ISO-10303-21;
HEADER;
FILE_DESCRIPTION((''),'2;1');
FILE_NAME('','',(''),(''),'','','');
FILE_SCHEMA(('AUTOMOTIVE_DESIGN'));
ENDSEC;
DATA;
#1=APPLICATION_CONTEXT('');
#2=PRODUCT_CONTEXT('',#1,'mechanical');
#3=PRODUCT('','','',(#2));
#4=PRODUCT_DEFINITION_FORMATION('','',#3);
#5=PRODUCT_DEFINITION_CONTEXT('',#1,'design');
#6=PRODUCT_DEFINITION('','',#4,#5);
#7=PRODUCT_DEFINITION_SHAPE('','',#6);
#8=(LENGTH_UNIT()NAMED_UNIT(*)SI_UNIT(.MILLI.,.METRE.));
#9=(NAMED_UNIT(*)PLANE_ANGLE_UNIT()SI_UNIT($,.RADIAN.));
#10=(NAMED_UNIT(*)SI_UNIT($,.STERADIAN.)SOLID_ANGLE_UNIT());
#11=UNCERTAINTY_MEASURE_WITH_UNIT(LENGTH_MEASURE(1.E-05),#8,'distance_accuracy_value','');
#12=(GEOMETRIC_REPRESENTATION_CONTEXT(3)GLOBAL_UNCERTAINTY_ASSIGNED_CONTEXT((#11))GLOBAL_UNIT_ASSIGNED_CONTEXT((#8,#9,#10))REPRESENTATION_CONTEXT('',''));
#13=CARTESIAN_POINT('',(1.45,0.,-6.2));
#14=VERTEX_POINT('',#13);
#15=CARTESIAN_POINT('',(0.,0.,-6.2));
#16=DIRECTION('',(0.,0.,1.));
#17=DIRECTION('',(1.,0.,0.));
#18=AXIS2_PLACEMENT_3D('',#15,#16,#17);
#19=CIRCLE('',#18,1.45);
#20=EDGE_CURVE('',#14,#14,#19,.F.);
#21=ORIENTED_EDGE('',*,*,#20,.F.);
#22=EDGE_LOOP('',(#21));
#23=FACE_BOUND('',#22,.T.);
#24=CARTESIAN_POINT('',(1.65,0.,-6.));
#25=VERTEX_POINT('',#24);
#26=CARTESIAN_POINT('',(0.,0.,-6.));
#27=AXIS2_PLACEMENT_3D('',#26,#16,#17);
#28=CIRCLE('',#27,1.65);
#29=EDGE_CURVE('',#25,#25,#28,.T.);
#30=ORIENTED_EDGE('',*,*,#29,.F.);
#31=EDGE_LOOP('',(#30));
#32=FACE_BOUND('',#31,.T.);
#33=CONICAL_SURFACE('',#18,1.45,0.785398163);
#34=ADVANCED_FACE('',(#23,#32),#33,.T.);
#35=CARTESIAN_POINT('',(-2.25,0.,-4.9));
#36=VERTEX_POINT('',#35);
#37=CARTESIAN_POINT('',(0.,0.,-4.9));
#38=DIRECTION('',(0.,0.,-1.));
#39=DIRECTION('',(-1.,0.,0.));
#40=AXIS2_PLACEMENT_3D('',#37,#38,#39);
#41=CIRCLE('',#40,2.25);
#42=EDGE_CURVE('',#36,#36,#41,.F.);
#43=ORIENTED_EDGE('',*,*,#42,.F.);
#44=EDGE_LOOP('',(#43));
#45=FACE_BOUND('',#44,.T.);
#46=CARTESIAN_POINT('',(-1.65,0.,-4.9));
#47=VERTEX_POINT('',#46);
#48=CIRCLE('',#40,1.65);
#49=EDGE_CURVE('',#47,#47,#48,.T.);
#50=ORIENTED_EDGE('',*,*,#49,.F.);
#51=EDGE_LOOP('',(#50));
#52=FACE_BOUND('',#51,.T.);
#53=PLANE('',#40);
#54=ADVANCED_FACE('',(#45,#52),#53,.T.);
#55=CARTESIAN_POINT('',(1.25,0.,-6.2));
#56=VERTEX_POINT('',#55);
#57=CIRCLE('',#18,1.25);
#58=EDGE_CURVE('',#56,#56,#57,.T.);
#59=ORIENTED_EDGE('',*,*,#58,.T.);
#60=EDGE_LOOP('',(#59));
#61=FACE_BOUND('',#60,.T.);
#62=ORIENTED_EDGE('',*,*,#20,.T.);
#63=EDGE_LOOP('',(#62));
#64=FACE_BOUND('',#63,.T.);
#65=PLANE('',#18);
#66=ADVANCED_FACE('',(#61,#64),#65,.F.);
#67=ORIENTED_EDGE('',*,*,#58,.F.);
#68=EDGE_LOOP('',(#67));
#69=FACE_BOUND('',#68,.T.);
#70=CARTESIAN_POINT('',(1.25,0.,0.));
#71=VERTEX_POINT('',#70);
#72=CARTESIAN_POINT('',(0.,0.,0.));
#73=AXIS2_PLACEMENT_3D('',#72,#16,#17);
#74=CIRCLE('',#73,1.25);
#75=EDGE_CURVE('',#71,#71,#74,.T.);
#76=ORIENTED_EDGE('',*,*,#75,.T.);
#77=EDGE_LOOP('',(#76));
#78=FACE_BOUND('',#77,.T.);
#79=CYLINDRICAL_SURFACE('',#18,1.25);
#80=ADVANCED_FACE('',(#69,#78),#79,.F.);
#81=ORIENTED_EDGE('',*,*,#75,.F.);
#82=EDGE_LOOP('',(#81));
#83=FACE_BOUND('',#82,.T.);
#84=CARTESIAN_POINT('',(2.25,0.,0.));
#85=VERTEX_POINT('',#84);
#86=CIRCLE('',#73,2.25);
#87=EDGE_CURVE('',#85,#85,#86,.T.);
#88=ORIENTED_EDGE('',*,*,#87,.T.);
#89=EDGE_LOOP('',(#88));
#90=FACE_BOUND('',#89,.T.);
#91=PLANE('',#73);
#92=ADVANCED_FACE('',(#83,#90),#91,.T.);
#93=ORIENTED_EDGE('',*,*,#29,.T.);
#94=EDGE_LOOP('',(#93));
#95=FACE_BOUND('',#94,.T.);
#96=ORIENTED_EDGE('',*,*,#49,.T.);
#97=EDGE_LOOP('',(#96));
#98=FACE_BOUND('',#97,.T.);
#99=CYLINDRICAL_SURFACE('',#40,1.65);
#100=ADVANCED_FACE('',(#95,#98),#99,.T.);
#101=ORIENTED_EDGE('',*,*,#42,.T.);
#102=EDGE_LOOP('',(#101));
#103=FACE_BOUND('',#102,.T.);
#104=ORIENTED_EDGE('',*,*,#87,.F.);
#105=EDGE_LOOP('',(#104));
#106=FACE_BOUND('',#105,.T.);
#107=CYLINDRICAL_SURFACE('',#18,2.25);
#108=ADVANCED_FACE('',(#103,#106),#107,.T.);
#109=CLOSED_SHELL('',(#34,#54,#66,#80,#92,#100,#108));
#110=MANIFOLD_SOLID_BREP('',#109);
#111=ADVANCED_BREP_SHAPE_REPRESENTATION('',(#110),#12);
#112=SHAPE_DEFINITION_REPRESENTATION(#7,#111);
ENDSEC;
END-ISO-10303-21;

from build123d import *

# Parameters (mm, degrees)
SKETCH1_R           = 2.25
BOSS_EXTRUDE1_DEPTH = 6.2
SKETCH2_OUTSIDE_W   = 8.276
SKETCH2_OUTSIDE_H   = 8.276
SKETCH2_OUTSIDE_R   = 1.65
CUT_EXTRUDE1_DEPTH  = 1.3
SKETCH3_R           = 1.25
CUT_EXTRUDE2_DEPTH  = 7.2
CHAMFER1_SIZE       = 0.2


with BuildPart() as part:
    # Sketch1 → Boss-Extrude1 (new body)
    with BuildSketch(Plane.XY):
        Circle(SKETCH1_R)
    extrude(amount=-BOSS_EXTRUDE1_DEPTH)

    # Sketch2 outside → Cut-Extrude1 (cut)
    with BuildSketch(Plane(origin=(0, 0, -6.2), x_dir=(-1, 0, 0), z_dir=(0, 0, -1))):
        Rectangle(SKETCH2_OUTSIDE_W, SKETCH2_OUTSIDE_H)
        Circle(SKETCH2_OUTSIDE_R, mode=Mode.SUBTRACT)
    extrude(amount=-CUT_EXTRUDE1_DEPTH, mode=Mode.SUBTRACT)

    # Sketch3 → Cut-Extrude2 (cut, through all)
    with BuildSketch(Plane.XY):
        Circle(SKETCH3_R)
    extrude(amount=-CUT_EXTRUDE2_DEPTH, mode=Mode.SUBTRACT)

    # Chamfer1
    chamfer1_edges = [part.edges().sort_by_distance(p)[0] for p in [
        (1.65, 0, -6.2),
    ]]
    chamfer(chamfer1_edges, length=CHAMFER1_SIZE)


solid = part.part
